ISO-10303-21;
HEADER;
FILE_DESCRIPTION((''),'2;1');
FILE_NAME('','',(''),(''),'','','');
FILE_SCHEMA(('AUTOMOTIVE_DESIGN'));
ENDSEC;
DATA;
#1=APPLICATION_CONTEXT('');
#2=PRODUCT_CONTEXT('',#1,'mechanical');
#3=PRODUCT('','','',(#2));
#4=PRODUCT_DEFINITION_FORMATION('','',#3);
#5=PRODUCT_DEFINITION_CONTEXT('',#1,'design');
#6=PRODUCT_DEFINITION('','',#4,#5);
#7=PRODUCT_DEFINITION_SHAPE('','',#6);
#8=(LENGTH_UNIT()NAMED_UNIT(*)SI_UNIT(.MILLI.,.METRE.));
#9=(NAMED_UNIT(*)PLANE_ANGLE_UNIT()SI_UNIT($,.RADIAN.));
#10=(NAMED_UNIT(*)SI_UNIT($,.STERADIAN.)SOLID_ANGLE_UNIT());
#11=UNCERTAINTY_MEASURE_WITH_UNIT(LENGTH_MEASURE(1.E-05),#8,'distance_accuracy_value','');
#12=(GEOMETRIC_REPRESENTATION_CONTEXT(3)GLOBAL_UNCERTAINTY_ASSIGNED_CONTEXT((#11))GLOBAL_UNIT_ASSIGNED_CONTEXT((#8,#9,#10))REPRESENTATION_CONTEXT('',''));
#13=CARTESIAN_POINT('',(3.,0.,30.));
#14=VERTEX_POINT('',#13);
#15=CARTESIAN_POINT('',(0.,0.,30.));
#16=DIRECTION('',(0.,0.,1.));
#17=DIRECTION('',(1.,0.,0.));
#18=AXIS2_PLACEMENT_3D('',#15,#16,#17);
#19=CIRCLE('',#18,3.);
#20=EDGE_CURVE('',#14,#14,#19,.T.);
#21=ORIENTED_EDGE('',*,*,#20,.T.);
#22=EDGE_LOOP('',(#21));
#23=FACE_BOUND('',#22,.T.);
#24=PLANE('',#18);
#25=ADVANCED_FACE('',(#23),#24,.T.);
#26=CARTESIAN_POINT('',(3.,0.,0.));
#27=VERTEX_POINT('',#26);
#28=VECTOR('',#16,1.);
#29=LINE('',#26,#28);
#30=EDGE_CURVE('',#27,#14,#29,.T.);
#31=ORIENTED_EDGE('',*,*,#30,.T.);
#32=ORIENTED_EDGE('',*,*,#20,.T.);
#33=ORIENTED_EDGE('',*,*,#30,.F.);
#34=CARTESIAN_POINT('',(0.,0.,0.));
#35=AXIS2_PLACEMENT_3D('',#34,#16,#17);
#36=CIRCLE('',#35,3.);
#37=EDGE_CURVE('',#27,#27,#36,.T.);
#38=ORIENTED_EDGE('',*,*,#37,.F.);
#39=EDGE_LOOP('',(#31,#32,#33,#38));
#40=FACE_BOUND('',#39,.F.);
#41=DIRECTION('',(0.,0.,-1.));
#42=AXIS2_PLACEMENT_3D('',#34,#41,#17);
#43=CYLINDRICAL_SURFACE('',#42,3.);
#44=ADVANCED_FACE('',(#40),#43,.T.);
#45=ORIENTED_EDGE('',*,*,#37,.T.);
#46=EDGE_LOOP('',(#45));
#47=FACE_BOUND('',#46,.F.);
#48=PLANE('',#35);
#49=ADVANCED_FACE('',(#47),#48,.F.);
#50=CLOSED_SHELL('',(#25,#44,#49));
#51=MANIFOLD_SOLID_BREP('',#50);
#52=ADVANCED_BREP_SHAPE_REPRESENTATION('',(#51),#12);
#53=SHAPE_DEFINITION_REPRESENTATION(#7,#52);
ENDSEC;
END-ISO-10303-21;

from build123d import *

# Parameters (mm, degrees)
SKETCH1_R           = 3
BOSS_EXTRUDE1_DEPTH = 30


with BuildPart() as part:
    # Sketch1 → Boss-Extrude1 (new body)
    with BuildSketch(Plane.XY):
        Circle(SKETCH1_R)
    extrude(amount=BOSS_EXTRUDE1_DEPTH)


solid = part.part
